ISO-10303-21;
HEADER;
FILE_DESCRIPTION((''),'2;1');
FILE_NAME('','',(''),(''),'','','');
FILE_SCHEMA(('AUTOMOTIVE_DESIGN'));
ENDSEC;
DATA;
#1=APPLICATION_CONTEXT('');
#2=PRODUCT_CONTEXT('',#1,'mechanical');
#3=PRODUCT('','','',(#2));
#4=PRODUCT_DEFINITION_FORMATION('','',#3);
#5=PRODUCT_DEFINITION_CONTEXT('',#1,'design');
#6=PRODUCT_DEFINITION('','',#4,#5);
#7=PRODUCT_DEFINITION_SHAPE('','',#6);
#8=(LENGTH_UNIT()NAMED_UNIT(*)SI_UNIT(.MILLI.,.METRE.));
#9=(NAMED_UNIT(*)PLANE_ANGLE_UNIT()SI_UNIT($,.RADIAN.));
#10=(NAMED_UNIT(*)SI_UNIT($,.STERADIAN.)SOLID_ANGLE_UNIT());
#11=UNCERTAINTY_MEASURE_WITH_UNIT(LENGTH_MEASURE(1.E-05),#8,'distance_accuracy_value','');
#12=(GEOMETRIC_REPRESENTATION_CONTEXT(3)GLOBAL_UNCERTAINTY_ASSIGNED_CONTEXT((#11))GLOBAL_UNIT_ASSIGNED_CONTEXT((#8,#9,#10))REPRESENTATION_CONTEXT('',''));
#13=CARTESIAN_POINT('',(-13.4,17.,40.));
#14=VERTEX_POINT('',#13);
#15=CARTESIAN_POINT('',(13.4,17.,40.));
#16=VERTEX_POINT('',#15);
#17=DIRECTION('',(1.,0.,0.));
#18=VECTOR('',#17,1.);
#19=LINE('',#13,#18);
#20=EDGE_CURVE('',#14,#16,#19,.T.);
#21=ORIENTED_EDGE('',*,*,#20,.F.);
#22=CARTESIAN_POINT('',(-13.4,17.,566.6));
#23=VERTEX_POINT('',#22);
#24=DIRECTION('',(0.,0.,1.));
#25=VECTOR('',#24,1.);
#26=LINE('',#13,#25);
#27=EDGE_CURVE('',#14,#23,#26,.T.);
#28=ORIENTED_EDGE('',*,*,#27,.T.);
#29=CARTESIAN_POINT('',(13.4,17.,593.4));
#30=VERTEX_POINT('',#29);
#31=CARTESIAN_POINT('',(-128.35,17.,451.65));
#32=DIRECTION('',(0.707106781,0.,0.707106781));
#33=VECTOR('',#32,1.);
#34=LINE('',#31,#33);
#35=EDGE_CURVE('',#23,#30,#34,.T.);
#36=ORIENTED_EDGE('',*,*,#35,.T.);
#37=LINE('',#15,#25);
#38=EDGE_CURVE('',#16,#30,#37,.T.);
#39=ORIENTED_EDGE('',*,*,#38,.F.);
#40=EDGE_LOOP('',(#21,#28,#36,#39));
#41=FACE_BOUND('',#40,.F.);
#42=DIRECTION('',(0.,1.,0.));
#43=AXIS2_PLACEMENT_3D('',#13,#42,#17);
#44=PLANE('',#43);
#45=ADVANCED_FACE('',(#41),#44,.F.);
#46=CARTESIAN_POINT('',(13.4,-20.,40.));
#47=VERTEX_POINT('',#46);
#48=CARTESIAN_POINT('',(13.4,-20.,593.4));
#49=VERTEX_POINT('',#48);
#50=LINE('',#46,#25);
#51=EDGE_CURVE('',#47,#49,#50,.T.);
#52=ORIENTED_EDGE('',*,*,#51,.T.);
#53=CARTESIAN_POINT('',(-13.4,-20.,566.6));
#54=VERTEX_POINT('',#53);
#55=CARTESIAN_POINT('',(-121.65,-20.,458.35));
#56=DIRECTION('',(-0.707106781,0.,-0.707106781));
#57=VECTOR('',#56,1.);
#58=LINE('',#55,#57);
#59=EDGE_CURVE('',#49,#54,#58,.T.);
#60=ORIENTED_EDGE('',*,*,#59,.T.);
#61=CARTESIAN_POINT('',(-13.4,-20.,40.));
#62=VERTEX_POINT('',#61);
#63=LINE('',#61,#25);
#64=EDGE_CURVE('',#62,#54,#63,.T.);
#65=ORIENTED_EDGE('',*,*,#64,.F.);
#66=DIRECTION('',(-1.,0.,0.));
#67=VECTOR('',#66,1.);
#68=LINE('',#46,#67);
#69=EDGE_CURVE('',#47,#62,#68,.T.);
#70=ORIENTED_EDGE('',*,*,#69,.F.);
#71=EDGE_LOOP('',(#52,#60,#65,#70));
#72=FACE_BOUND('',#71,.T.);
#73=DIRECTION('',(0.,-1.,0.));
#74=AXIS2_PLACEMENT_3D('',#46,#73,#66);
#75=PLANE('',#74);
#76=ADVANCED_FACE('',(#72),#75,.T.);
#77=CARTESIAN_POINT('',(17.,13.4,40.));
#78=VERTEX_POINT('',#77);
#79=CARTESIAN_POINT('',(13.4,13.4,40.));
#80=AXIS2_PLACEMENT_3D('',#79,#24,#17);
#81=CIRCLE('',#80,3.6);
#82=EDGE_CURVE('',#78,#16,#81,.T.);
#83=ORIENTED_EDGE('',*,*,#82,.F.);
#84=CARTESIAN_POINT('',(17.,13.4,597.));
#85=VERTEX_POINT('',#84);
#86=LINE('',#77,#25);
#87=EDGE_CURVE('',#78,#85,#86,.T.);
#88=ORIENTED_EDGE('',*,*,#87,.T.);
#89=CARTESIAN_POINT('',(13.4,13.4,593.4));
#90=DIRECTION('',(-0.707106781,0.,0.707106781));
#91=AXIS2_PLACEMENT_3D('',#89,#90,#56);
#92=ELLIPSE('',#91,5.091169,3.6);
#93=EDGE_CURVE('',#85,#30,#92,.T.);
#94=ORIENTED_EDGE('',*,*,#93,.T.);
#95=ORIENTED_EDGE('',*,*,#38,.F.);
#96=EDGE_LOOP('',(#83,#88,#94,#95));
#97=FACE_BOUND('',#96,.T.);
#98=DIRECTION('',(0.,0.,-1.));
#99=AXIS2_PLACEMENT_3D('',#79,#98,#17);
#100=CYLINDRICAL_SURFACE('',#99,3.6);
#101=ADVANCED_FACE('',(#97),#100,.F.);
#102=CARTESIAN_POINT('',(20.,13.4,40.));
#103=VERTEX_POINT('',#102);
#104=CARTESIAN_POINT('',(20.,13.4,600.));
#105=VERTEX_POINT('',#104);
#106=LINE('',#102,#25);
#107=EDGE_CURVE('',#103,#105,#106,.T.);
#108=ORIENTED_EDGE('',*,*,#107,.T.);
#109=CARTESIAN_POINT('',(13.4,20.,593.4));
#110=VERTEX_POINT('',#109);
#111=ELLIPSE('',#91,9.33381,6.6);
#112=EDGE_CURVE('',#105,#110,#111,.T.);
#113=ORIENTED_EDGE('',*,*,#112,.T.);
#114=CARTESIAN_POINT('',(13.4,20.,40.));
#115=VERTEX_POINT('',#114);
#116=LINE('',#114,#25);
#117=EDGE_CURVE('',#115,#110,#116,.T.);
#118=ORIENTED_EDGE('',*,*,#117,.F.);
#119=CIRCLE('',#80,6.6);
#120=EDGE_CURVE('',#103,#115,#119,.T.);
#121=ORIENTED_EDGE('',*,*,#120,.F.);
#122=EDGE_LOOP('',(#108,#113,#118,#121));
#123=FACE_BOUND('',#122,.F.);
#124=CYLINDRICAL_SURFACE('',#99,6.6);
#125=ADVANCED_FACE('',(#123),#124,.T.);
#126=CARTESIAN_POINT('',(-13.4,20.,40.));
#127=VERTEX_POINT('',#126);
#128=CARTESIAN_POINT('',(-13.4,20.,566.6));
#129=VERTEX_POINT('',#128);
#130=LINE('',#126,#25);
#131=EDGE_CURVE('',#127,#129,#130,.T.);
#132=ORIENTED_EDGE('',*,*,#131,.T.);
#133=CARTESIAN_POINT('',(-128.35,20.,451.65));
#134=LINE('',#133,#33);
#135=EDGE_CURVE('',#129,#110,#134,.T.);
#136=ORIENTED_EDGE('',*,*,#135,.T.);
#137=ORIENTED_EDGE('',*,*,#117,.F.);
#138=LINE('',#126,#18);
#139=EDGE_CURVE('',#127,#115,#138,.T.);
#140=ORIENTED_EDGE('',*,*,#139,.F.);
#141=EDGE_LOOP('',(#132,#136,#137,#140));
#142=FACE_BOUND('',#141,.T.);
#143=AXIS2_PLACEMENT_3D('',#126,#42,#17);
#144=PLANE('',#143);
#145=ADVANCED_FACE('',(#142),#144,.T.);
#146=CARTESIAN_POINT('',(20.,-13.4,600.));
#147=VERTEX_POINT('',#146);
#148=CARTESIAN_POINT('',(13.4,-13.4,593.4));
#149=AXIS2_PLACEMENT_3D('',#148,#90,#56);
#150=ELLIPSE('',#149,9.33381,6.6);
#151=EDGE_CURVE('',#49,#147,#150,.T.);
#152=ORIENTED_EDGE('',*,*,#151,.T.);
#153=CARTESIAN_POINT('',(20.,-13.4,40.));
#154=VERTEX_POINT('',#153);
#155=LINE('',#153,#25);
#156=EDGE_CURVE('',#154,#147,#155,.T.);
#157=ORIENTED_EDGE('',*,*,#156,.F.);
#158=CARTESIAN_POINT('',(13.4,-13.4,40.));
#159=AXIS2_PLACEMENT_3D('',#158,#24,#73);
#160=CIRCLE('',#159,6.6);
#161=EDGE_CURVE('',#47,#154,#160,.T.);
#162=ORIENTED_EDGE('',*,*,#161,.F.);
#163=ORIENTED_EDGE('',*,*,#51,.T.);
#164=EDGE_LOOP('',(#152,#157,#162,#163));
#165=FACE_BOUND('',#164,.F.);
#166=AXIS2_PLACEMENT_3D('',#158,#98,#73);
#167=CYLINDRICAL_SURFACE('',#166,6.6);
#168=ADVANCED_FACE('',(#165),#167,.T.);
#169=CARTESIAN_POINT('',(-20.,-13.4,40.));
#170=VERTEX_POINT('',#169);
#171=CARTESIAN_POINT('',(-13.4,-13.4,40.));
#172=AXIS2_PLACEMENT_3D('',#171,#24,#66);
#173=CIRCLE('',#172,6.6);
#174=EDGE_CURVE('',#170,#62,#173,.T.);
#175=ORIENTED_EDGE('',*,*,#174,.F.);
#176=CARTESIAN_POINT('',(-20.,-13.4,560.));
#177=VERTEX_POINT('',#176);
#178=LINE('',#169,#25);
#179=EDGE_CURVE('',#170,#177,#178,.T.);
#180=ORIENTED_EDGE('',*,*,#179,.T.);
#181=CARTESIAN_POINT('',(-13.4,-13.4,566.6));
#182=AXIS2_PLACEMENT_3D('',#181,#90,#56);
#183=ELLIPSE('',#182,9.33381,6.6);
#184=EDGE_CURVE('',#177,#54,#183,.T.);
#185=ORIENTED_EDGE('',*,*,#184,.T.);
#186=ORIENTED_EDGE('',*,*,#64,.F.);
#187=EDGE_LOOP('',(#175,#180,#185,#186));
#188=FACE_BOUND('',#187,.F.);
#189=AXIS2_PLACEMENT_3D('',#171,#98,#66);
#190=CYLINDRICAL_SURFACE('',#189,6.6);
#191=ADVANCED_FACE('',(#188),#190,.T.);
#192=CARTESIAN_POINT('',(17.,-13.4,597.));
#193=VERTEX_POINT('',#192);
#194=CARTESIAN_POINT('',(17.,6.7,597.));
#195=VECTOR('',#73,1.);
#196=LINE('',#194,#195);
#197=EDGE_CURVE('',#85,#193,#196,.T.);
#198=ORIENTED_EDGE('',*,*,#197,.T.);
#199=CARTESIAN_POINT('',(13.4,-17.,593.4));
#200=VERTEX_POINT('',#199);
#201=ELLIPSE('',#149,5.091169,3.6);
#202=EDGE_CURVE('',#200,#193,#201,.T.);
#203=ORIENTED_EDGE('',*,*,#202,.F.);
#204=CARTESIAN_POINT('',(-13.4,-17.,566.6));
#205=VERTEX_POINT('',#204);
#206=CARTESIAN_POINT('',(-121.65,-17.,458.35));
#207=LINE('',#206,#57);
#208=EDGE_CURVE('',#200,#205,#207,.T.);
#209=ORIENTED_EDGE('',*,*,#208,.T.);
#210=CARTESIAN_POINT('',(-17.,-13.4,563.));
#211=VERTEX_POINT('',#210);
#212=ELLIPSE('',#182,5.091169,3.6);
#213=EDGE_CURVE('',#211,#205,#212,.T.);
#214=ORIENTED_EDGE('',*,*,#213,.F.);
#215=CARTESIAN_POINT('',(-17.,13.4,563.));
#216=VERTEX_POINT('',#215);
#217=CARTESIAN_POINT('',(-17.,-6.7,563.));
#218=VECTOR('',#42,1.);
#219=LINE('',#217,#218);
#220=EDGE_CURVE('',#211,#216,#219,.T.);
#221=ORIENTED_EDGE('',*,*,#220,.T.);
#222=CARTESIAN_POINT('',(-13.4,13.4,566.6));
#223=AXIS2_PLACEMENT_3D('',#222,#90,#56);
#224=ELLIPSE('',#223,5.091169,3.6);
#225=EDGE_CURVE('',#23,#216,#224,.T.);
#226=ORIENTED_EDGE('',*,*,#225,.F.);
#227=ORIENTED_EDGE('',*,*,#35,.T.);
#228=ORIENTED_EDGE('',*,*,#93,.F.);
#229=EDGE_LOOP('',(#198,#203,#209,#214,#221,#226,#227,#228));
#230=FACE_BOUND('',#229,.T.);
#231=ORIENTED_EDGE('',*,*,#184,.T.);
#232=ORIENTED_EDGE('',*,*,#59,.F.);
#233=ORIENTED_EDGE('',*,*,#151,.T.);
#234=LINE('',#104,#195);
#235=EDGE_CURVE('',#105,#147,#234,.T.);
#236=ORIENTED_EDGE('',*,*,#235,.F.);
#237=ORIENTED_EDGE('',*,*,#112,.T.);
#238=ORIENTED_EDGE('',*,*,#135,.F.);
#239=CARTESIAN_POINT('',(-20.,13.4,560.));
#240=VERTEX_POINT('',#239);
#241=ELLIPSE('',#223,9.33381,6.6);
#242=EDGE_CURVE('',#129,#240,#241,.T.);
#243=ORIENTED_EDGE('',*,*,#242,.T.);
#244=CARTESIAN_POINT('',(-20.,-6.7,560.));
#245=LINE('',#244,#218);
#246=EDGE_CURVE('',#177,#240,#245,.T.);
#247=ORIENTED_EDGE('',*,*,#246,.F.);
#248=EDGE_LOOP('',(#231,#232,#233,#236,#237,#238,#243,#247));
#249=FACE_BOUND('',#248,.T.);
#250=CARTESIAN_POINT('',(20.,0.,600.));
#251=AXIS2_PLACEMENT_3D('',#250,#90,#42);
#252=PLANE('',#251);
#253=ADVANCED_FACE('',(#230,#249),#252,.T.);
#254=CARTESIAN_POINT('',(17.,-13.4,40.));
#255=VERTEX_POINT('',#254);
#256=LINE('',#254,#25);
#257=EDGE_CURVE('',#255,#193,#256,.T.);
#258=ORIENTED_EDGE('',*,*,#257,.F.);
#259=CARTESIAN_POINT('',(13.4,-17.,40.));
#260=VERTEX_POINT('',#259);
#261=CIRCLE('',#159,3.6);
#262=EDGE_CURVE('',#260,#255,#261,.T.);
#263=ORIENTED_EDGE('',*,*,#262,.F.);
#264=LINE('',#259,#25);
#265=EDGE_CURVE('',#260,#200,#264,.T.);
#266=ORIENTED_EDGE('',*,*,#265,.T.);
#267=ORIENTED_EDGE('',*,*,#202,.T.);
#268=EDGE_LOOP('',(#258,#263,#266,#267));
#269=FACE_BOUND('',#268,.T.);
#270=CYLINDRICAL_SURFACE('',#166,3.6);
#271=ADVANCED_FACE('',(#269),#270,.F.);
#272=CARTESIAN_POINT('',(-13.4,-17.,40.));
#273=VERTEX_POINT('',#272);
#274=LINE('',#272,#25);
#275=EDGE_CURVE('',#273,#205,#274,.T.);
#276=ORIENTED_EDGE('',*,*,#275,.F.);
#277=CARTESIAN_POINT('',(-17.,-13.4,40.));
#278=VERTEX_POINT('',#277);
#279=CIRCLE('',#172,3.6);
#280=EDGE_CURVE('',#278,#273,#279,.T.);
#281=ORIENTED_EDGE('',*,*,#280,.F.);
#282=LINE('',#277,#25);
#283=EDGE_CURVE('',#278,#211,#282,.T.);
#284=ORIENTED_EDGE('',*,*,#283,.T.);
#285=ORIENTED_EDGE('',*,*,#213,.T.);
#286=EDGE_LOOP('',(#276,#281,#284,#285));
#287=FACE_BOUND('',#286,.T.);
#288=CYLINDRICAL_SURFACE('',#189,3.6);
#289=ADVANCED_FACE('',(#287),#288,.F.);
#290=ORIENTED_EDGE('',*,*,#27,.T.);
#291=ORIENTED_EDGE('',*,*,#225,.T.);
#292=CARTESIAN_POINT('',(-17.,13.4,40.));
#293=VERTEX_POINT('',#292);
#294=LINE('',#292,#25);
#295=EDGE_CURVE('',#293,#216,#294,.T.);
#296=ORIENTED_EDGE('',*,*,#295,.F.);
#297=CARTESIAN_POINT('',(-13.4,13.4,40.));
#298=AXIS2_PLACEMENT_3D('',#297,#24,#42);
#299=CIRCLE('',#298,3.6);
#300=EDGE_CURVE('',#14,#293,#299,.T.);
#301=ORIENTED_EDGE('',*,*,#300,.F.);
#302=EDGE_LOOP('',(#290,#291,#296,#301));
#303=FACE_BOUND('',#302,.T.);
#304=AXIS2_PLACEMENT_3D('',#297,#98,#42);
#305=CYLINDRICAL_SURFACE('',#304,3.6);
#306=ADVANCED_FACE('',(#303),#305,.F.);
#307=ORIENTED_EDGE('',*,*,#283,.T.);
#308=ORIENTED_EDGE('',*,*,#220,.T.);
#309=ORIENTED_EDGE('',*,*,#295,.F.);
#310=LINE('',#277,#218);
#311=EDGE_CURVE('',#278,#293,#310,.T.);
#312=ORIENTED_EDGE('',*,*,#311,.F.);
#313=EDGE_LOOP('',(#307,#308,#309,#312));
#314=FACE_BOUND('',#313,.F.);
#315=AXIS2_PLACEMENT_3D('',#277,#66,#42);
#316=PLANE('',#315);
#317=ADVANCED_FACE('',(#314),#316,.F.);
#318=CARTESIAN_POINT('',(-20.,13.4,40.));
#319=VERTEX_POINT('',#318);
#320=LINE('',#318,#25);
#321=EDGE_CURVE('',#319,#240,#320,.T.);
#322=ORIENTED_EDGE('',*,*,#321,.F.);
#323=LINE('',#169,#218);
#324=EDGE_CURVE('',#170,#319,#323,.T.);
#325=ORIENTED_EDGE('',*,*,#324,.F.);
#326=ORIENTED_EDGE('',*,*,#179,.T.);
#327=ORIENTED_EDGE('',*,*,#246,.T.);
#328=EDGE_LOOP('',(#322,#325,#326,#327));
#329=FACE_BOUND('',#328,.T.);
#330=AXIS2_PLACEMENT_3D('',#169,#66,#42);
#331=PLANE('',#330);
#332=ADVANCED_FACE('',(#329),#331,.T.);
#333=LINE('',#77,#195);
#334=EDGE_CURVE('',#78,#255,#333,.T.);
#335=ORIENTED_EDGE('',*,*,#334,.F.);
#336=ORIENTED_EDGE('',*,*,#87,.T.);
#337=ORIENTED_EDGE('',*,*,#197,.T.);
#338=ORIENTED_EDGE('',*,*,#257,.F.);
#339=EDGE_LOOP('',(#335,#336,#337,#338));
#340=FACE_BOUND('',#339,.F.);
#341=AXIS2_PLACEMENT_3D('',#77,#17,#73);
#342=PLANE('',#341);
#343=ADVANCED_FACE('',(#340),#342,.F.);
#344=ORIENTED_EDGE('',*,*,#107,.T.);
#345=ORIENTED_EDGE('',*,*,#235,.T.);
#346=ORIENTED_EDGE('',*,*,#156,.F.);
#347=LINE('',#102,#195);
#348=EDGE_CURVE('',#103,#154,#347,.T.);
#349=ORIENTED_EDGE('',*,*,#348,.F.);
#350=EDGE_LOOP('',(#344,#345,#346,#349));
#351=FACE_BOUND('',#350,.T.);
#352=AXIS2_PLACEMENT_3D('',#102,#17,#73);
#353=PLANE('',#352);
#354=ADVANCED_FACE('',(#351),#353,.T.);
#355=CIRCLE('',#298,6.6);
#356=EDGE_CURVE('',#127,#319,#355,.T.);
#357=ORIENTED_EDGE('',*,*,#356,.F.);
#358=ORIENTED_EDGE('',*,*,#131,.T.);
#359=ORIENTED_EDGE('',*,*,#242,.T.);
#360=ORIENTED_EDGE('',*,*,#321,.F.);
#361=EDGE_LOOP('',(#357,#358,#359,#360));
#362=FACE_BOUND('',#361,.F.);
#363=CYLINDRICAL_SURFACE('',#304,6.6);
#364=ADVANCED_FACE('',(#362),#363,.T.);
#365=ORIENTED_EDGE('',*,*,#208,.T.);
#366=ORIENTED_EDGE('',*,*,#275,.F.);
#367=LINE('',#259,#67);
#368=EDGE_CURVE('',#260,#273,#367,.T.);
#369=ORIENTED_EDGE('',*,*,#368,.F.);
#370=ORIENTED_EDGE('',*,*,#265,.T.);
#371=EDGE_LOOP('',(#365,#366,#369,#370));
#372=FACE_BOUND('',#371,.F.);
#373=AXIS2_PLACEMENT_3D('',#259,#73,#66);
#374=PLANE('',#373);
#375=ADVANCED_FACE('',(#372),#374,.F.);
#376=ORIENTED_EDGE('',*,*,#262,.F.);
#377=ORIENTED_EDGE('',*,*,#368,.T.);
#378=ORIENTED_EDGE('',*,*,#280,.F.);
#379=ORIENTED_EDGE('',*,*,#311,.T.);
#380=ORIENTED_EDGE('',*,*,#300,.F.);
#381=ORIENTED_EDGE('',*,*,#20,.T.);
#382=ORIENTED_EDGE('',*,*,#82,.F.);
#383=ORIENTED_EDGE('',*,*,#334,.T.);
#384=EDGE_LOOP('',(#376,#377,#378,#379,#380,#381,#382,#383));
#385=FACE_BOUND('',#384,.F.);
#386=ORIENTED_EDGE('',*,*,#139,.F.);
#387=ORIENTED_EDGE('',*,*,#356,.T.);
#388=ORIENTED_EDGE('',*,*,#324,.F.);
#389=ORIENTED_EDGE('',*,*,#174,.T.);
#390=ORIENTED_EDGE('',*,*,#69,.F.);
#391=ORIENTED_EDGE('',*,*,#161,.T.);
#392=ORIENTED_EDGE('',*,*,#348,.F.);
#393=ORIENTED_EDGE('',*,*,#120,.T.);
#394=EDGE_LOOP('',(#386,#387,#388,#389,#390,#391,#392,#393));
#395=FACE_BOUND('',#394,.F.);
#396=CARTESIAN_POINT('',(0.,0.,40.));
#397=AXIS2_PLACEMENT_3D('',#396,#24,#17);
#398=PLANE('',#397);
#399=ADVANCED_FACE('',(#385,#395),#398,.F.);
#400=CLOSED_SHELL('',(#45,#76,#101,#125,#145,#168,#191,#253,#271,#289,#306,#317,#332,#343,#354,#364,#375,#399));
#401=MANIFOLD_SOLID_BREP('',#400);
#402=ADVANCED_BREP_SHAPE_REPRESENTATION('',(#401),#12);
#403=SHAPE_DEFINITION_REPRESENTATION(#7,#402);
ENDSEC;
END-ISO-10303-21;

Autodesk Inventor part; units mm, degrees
ref_plane "Start plane" through (0, 0, 40) normal (0, 0, 1) x (1, 0, 0)
ref_plane "End plane" through (0, 0, 600) normal (0, 0, 1) x (1, 0, 0)
sketch "Sketch" plane through (0, 0, 0) normal (0, 0, 1) x (1, 0, 0)
  line L0 (-20, -13.4) -> (-20, 13.4)
  line L1 (-13.4, 20) -> (13.4, 20)
  line L2 (20, 13.4) -> (20, -13.4)
  line L3 (13.4, -20) -> (-13.4, -20)
  arc A0 (-20, -13.4) -> (-13.4, -20) centre (-13.4, -13.4) ccw
  arc A1 (-13.4, 20) -> (-20, 13.4) centre (-13.4, 13.4) ccw
  arc A2 (20, 13.4) -> (13.4, 20) centre (13.4, 13.4) ccw
  arc A3 (13.4, -20) -> (20, -13.4) centre (13.4, -13.4) ccw
  arc A4 (-13.4, 17) -> (-17, 13.4) centre (-13.4, 13.4) ccw
  line L4 (-13.4, 17) -> (13.4, 17)
  arc A5 (17, 13.4) -> (13.4, 17) centre (13.4, 13.4) ccw
  line L5 (17, 13.4) -> (17, -13.4)
  arc A6 (13.4, -17) -> (17, -13.4) centre (13.4, -13.4) ccw
  line L6 (13.4, -17) -> (-13.4, -17)
  arc A7 (-17, -13.4) -> (-13.4, -17) centre (-13.4, -13.4) ccw
  line L7 (-17, -13.4) -> (-17, 13.4)
  line L8 (0, 29.9137) -> (0, -29.9137) construction
  line L9 (-29.9137, 0) -> (29.9137, 0) construction
  dimension "d7" = 6.6
  dimension "d10" = 40
  dimension "d11" = 40
  dimension "d12" = 3
  dimension "d15" = 20
  dimension "d16" = 20
extrude "Body" add sketch "Sketch" along normal up to surface (560 mm away) from surface at 40
sketch "Sketch3" plane through (0, 0, 0) normal (0, 0, 1) x (1, 0, 0)
  line L0 (0, 0) -> (10, 0)
ref_plane "Work Plane3" through (0, 0, 0) normal (0, -1, 0) x (1, 0, 0)
sketch "Sketch4" plane through (0, 0, 0) normal (0, -1, 0) x (1, 0, 0)
  line L0 (-2, 40) -> (12, 40)
  line L1 (-2, 600) -> (12, 600)
  dimension "d18" = 560
ref_plane "Work Plane4" through (-13.4, 1302, 40) normal (0, 0, -1) x (-1, 0, 0)
split "Split1" plane through (-13.4, 1302, 40) removes the side toward (0, 0, -1)
ref_plane "Work Plane6" through (20, 0, 600) normal (-0.7071, 0, 0.7071) x (0.7071, 0, 0.7071)
split "Split3" plane through (20, 0, 600) removes the side toward (-0.7071, 0, 0.7071)
equation "\"d7\" = G_IR"
equation "\"d10\" = G_H"
equation "\"d11\" = G_W"
equation "\"d12\" = G_T"
equation "\"d15\" = 0.5 * d10"
equation "\"d16\" = 0.5 * d11"
equation "\"d3\" = G_L"
equation "\"G_W\" = 40"
equation "\"G_H\" = 40"
equation "\"G_T\" = 3"
equation "\"G_IR\" = 6.6"
equation "\"G_L\" = d18"
equation "\"G_OFFSET_END\" = 0"
properties part number "DIN EN 10305-5 - 40 x 40 x 3  - 560" material "Steel, Mild"
